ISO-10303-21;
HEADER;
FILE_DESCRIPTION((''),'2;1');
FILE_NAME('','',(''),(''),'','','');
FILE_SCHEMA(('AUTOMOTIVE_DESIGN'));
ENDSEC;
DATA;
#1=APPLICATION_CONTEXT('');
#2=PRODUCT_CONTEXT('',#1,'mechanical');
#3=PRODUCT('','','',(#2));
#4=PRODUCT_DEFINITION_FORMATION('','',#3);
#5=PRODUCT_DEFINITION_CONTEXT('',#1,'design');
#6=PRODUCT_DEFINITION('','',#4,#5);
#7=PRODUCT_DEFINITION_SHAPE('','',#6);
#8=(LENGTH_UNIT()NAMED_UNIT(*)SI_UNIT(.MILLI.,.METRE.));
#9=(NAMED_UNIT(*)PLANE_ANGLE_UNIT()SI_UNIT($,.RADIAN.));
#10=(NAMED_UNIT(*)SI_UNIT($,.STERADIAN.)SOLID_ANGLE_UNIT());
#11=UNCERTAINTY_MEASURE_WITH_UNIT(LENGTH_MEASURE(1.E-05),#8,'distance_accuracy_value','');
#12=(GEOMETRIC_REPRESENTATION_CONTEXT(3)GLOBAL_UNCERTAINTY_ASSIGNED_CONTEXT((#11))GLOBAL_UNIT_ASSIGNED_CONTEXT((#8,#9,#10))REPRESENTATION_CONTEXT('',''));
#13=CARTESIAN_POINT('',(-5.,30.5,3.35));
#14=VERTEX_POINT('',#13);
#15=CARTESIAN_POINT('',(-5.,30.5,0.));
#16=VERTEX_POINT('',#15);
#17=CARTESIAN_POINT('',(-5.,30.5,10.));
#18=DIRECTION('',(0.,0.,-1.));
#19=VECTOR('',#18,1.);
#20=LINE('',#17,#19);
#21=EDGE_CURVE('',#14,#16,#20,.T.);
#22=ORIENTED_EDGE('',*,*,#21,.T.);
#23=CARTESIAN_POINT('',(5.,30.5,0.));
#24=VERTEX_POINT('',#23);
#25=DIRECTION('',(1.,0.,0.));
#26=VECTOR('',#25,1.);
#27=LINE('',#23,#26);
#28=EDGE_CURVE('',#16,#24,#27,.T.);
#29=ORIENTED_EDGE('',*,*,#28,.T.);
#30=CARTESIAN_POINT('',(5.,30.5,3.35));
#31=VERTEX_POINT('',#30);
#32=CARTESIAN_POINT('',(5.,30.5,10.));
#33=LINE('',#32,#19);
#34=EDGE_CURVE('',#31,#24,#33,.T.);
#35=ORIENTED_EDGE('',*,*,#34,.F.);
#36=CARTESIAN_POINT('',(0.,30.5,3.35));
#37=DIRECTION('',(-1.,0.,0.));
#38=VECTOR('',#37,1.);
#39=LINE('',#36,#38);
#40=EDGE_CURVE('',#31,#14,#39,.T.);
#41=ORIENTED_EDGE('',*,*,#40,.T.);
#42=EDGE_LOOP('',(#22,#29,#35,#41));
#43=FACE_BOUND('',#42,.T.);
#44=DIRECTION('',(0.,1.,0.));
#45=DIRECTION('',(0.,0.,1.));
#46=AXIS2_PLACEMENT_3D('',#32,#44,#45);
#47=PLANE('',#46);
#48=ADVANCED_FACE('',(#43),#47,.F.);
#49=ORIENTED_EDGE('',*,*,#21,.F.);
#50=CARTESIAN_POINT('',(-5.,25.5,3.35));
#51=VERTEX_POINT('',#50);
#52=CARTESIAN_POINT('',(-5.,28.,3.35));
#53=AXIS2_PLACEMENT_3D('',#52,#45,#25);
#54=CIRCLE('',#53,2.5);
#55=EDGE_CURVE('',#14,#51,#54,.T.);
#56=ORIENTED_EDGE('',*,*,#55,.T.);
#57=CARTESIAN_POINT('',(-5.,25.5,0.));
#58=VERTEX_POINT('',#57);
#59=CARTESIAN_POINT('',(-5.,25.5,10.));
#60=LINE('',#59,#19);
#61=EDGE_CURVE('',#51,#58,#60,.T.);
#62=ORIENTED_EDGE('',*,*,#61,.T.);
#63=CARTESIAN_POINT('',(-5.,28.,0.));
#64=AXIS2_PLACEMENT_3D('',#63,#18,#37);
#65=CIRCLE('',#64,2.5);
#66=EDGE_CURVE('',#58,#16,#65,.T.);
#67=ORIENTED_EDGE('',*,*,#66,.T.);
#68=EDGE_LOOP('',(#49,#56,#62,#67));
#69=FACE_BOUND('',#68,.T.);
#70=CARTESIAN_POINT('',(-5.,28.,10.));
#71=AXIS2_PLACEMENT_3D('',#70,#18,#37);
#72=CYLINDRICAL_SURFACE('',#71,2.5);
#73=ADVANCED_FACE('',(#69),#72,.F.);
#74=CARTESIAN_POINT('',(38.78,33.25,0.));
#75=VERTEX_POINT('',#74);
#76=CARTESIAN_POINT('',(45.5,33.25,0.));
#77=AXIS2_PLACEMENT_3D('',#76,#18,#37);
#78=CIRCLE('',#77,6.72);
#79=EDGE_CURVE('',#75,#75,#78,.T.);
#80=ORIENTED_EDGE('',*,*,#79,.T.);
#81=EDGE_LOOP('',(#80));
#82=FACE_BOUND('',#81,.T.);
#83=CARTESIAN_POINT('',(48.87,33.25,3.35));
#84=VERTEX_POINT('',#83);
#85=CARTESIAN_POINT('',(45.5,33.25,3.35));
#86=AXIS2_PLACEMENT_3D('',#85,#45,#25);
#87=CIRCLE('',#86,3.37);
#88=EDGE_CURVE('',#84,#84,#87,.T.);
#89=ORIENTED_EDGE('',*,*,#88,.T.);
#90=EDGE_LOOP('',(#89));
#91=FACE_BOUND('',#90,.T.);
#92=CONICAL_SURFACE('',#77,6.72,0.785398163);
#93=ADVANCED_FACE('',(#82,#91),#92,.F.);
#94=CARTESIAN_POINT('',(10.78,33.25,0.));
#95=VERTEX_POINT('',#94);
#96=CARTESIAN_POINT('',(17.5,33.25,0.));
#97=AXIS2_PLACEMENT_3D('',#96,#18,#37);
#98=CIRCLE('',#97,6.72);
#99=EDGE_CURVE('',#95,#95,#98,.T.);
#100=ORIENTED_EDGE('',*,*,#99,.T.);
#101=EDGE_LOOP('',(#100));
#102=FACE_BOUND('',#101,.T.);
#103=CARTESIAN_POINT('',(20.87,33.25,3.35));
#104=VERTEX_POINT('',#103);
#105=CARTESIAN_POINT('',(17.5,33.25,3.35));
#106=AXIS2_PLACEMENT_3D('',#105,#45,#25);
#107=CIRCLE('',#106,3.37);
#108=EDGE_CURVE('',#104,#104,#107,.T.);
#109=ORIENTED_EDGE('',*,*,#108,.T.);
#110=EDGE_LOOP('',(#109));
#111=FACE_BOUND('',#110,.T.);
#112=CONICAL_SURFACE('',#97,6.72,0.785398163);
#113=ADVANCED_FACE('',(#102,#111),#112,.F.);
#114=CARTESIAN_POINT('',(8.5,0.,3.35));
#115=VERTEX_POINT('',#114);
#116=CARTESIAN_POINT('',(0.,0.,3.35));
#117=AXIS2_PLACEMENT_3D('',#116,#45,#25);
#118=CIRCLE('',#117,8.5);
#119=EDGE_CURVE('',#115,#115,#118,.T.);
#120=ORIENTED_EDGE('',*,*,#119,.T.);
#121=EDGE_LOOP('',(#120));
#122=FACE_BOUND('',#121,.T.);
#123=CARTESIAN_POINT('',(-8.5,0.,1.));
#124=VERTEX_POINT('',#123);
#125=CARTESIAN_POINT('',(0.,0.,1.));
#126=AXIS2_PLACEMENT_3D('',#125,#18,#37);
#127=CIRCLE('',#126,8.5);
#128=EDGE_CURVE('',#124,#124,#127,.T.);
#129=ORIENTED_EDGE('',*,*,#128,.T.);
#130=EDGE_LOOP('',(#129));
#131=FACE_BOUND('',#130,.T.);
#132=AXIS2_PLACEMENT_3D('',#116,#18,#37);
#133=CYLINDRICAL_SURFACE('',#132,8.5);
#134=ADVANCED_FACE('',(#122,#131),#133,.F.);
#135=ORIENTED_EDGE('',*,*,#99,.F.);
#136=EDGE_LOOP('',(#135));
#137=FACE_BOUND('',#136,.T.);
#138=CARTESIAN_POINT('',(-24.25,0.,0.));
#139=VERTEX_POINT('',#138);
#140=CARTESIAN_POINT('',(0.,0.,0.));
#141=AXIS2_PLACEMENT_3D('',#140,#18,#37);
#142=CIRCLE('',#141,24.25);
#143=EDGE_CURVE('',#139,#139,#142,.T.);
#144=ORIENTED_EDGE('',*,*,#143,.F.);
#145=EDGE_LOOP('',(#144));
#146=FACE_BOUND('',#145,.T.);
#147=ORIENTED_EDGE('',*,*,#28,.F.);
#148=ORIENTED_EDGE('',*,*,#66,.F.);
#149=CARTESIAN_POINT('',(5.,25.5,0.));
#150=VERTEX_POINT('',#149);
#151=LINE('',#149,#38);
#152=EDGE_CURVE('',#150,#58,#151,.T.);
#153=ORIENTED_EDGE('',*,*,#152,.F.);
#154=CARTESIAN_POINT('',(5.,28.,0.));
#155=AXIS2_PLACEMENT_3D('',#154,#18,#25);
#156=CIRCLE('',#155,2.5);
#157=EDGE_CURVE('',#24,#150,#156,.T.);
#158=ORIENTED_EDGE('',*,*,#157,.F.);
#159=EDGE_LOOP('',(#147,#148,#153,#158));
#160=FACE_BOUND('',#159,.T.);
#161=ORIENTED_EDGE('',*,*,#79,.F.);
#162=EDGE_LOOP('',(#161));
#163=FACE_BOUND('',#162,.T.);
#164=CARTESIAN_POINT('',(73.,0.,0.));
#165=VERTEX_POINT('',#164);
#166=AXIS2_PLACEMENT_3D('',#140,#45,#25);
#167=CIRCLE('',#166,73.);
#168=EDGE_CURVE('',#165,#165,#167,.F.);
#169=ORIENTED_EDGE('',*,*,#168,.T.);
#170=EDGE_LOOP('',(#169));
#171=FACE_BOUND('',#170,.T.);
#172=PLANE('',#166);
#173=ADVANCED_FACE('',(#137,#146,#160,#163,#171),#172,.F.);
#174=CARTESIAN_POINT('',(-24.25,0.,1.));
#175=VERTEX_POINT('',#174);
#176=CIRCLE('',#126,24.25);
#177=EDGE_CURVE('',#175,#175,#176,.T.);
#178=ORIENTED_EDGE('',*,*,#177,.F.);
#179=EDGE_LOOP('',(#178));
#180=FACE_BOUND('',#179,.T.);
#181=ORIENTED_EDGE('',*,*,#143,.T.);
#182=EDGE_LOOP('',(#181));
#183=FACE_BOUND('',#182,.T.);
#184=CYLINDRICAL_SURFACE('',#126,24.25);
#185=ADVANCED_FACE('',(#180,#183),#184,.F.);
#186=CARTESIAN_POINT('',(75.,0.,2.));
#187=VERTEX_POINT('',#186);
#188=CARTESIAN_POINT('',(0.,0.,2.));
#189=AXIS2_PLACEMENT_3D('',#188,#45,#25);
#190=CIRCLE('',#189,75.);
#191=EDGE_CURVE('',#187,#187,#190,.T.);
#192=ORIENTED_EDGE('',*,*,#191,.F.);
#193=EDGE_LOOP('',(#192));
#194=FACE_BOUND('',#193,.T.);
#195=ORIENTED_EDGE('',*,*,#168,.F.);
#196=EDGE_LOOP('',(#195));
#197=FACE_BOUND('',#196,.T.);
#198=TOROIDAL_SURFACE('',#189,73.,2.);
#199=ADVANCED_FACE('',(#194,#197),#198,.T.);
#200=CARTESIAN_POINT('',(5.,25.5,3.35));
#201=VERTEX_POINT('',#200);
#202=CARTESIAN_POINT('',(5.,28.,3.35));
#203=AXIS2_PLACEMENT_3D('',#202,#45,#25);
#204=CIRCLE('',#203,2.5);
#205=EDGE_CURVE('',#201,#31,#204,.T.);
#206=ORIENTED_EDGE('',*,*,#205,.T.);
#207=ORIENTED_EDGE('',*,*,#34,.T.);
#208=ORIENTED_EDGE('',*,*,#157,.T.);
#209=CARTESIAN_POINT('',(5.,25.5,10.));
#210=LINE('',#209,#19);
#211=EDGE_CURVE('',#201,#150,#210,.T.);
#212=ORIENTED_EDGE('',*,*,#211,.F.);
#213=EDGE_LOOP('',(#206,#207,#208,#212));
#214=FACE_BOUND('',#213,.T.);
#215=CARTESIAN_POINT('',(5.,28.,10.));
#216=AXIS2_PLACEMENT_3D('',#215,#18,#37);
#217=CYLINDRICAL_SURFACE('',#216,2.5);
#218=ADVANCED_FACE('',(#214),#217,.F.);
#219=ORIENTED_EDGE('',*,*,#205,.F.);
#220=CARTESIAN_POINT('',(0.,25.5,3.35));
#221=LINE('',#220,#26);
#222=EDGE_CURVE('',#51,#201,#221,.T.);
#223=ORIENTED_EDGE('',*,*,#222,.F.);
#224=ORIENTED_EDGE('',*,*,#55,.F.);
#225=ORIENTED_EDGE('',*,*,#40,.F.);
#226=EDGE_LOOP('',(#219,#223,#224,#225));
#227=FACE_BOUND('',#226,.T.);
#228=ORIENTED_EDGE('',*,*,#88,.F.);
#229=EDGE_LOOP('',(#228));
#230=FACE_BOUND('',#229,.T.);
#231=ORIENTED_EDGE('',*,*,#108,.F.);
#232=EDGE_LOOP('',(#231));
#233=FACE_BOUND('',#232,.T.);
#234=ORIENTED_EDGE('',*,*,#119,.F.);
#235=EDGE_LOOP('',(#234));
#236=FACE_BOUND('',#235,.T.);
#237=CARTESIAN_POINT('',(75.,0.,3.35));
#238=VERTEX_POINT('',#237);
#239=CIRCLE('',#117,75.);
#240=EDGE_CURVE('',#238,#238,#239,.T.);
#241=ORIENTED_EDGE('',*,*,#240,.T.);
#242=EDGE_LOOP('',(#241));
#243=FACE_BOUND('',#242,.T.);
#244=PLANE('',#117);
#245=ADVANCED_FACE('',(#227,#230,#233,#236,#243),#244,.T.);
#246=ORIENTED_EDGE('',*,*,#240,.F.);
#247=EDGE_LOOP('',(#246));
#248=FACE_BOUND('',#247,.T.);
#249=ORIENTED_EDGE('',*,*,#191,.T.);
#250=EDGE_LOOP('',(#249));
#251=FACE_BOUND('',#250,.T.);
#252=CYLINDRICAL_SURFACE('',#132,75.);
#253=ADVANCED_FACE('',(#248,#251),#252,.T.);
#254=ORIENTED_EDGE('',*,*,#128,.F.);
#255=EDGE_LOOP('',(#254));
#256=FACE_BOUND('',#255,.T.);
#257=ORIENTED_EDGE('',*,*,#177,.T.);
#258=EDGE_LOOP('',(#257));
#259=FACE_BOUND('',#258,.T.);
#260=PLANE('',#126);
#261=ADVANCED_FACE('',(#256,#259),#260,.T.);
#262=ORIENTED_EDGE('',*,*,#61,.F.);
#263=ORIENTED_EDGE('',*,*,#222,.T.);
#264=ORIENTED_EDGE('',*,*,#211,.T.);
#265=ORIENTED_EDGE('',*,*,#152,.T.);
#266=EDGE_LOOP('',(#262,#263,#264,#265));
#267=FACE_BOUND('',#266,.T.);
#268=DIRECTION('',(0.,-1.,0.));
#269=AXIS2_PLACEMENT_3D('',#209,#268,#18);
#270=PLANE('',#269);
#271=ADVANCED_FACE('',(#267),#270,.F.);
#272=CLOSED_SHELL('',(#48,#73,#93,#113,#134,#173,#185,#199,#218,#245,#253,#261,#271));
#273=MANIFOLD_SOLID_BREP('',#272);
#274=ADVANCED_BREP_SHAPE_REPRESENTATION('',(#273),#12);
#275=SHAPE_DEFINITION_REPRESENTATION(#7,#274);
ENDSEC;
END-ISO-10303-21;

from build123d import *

# Parameters (mm, degrees)
ESBO_O1_R             = 75
ESBO_O1_R_2           = 8.5
EXTRUS_O1_DEPTH       = 3.35
ESBO_O2_R             = 24.25
CORTE_EXTRUS_O1_DEPTH = 1
CORTE_EXTRUS_O3_DEPTH = 10
LPATTERN3_COUNT       = 2
LPATTERN3_PITCH       = 28
FILETE1_R             = 2


with BuildPart() as part:
    # Esboço1 → Extrusão1 (new body)
    with BuildSketch(Plane.XY):
        Circle(ESBO_O1_R)
        Circle(ESBO_O1_R_2, mode=Mode.SUBTRACT)
    extrude(amount=EXTRUS_O1_DEPTH)

    # Esboço2 → Corte-extrusão1 (cut)
    with BuildSketch(Plane(origin=(0, 0, 0), x_dir=(-1, 0, 0), z_dir=(0, 0, -1))):
        Circle(ESBO_O2_R)
    extrude(amount=-CORTE_EXTRUS_O1_DEPTH, mode=Mode.SUBTRACT)

    # Esboço6 → Corte-extrusão3 (cut)
    with BuildSketch(Plane(origin=(0, 0, 0), x_dir=(-1, 0, 0), z_dir=(0, 0, -1))):
        with BuildLine():
            Line((-5, 25.5), (5, 25.5))
            ThreePointArc((5, 25.5), (7.5, 28), (5, 30.5))
            Line((5, 30.5), (-5, 30.5))
            ThreePointArc((-5, 30.5), (-7.5, 28), (-5, 25.5))
        make_face()
    extrude(amount=-CORTE_EXTRUS_O3_DEPTH, mode=Mode.SUBTRACT)

    # Esboço8 → Escareado para SFHCS M63 (revolve, cut)
    with BuildSketch(Plane(origin=(17.5, 33.25, 0), x_dir=(0, 1, 0), z_dir=(1, 0, 0))):
        Polygon((0, 0), (0, 3.35), (3.3, 3.35), (3.3, 3.42), (6.72, 0), align=None)
    escareado_para_sfhcs_m63 = revolve(axis=Axis((17.5, 33.25, -6.35), (0, 0, 1)), mode=Mode.SUBTRACT)

    # LPattern3: Escareado para SFHCS M63 ×2
    with Locations(*[(i * LPATTERN3_PITCH, 0, 0) for i in range(1, LPATTERN3_COUNT)]):
        add(escareado_para_sfhcs_m63, mode=Mode.SUBTRACT)

    # Filete1
    filete1_edges = [part.edges().sort_by_distance(p)[0] for p in [
        (-75, 0, 0),
    ]]
    fillet(filete1_edges, radius=FILETE1_R)


solid = part.part
